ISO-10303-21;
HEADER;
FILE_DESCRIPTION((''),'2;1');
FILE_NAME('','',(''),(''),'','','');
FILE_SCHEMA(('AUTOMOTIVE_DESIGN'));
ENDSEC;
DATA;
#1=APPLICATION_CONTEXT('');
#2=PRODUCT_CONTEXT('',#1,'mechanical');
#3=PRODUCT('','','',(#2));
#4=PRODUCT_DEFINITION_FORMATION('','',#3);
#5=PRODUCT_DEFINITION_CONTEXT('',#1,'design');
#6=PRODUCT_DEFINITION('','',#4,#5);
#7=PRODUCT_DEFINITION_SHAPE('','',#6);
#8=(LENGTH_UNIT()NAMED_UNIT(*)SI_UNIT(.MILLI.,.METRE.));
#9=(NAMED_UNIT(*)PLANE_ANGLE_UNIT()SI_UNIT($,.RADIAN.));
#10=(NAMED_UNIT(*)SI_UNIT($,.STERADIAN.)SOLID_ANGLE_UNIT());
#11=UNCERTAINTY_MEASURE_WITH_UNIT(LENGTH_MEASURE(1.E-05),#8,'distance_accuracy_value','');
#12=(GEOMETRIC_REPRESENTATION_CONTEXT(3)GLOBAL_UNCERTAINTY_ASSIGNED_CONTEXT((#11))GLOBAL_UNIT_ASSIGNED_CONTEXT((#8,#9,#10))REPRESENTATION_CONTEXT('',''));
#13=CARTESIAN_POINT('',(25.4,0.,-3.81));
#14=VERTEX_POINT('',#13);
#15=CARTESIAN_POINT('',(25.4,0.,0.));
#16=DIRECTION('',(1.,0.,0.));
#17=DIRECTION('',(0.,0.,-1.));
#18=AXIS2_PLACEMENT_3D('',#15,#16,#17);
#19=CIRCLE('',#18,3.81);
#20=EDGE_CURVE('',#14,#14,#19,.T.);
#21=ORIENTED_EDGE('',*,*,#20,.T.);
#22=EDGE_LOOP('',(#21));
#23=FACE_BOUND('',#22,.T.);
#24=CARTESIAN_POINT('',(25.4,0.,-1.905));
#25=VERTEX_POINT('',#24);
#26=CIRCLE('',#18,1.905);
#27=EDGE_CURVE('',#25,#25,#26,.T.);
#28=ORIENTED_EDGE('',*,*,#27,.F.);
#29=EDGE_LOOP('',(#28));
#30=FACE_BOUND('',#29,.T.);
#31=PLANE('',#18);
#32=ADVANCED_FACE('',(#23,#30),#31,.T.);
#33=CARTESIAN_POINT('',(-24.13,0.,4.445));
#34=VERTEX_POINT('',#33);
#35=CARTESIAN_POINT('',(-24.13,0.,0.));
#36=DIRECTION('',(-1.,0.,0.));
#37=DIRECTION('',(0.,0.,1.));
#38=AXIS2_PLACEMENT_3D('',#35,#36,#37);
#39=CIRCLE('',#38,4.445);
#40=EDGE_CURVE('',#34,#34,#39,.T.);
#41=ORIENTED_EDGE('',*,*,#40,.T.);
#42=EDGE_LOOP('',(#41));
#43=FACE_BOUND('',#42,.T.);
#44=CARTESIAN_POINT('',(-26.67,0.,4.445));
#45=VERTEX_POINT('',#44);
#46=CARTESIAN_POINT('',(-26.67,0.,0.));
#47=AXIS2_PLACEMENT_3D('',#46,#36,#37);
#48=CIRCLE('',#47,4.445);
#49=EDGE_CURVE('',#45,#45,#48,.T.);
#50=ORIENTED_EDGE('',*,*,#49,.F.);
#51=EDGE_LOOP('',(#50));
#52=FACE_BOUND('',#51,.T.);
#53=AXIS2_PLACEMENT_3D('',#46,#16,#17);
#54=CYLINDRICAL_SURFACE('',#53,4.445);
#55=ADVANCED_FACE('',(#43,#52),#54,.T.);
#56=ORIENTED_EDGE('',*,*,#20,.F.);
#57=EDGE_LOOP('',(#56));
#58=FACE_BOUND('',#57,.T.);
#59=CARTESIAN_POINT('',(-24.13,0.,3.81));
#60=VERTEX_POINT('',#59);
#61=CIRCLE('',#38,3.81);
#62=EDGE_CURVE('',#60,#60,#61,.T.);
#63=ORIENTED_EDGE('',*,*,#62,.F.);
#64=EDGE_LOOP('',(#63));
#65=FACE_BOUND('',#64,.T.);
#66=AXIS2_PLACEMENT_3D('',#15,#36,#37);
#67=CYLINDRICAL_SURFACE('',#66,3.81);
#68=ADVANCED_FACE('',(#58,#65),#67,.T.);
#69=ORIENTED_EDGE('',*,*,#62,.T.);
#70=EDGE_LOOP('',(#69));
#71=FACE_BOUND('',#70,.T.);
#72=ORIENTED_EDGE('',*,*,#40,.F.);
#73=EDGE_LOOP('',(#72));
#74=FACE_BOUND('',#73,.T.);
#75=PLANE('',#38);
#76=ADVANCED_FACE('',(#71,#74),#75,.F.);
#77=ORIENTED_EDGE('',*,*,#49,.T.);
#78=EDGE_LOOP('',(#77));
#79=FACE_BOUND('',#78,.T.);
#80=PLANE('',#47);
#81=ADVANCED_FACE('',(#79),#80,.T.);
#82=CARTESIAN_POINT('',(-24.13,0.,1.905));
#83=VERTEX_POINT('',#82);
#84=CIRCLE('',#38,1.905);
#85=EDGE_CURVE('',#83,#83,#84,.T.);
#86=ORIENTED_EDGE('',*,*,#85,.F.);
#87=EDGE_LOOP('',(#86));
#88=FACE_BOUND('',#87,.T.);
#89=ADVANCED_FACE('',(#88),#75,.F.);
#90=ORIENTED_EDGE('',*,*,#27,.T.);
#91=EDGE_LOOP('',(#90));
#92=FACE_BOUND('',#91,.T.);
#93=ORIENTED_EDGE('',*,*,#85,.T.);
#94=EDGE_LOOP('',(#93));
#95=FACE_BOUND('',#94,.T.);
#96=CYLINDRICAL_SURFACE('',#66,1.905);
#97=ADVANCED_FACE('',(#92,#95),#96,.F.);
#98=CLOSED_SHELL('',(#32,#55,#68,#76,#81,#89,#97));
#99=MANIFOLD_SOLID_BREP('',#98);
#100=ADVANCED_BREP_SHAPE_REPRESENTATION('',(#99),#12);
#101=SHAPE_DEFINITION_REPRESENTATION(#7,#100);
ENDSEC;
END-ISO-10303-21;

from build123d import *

# Parameters (mm, degrees)
SKETCH1_R           = 3.81
SKETCH1_R_2         = 1.905
BOSS_EXTRUDE1_DEPTH = 25.4
SKETCH2_R           = 4.445
BOSS_EXTRUDE2_DEPTH = 1.27


with BuildPart() as part:
    # Sketch1 → Boss-Extrude1 (new, symmetric)
    with BuildSketch(Plane(origin=(0, 0, 0), x_dir=(0, 0, -1), z_dir=(1, 0, 0))):
        Circle(SKETCH1_R)
        Circle(SKETCH1_R_2, mode=Mode.SUBTRACT)
    extrude(amount=BOSS_EXTRUDE1_DEPTH, both=True)

    # Sketch2 → Boss-Extrude2 (add, symmetric)
    with BuildSketch(Plane.ZY.offset(25.4)):
        Circle(SKETCH2_R)
    extrude(amount=BOSS_EXTRUDE2_DEPTH, both=True)


solid = part.part
